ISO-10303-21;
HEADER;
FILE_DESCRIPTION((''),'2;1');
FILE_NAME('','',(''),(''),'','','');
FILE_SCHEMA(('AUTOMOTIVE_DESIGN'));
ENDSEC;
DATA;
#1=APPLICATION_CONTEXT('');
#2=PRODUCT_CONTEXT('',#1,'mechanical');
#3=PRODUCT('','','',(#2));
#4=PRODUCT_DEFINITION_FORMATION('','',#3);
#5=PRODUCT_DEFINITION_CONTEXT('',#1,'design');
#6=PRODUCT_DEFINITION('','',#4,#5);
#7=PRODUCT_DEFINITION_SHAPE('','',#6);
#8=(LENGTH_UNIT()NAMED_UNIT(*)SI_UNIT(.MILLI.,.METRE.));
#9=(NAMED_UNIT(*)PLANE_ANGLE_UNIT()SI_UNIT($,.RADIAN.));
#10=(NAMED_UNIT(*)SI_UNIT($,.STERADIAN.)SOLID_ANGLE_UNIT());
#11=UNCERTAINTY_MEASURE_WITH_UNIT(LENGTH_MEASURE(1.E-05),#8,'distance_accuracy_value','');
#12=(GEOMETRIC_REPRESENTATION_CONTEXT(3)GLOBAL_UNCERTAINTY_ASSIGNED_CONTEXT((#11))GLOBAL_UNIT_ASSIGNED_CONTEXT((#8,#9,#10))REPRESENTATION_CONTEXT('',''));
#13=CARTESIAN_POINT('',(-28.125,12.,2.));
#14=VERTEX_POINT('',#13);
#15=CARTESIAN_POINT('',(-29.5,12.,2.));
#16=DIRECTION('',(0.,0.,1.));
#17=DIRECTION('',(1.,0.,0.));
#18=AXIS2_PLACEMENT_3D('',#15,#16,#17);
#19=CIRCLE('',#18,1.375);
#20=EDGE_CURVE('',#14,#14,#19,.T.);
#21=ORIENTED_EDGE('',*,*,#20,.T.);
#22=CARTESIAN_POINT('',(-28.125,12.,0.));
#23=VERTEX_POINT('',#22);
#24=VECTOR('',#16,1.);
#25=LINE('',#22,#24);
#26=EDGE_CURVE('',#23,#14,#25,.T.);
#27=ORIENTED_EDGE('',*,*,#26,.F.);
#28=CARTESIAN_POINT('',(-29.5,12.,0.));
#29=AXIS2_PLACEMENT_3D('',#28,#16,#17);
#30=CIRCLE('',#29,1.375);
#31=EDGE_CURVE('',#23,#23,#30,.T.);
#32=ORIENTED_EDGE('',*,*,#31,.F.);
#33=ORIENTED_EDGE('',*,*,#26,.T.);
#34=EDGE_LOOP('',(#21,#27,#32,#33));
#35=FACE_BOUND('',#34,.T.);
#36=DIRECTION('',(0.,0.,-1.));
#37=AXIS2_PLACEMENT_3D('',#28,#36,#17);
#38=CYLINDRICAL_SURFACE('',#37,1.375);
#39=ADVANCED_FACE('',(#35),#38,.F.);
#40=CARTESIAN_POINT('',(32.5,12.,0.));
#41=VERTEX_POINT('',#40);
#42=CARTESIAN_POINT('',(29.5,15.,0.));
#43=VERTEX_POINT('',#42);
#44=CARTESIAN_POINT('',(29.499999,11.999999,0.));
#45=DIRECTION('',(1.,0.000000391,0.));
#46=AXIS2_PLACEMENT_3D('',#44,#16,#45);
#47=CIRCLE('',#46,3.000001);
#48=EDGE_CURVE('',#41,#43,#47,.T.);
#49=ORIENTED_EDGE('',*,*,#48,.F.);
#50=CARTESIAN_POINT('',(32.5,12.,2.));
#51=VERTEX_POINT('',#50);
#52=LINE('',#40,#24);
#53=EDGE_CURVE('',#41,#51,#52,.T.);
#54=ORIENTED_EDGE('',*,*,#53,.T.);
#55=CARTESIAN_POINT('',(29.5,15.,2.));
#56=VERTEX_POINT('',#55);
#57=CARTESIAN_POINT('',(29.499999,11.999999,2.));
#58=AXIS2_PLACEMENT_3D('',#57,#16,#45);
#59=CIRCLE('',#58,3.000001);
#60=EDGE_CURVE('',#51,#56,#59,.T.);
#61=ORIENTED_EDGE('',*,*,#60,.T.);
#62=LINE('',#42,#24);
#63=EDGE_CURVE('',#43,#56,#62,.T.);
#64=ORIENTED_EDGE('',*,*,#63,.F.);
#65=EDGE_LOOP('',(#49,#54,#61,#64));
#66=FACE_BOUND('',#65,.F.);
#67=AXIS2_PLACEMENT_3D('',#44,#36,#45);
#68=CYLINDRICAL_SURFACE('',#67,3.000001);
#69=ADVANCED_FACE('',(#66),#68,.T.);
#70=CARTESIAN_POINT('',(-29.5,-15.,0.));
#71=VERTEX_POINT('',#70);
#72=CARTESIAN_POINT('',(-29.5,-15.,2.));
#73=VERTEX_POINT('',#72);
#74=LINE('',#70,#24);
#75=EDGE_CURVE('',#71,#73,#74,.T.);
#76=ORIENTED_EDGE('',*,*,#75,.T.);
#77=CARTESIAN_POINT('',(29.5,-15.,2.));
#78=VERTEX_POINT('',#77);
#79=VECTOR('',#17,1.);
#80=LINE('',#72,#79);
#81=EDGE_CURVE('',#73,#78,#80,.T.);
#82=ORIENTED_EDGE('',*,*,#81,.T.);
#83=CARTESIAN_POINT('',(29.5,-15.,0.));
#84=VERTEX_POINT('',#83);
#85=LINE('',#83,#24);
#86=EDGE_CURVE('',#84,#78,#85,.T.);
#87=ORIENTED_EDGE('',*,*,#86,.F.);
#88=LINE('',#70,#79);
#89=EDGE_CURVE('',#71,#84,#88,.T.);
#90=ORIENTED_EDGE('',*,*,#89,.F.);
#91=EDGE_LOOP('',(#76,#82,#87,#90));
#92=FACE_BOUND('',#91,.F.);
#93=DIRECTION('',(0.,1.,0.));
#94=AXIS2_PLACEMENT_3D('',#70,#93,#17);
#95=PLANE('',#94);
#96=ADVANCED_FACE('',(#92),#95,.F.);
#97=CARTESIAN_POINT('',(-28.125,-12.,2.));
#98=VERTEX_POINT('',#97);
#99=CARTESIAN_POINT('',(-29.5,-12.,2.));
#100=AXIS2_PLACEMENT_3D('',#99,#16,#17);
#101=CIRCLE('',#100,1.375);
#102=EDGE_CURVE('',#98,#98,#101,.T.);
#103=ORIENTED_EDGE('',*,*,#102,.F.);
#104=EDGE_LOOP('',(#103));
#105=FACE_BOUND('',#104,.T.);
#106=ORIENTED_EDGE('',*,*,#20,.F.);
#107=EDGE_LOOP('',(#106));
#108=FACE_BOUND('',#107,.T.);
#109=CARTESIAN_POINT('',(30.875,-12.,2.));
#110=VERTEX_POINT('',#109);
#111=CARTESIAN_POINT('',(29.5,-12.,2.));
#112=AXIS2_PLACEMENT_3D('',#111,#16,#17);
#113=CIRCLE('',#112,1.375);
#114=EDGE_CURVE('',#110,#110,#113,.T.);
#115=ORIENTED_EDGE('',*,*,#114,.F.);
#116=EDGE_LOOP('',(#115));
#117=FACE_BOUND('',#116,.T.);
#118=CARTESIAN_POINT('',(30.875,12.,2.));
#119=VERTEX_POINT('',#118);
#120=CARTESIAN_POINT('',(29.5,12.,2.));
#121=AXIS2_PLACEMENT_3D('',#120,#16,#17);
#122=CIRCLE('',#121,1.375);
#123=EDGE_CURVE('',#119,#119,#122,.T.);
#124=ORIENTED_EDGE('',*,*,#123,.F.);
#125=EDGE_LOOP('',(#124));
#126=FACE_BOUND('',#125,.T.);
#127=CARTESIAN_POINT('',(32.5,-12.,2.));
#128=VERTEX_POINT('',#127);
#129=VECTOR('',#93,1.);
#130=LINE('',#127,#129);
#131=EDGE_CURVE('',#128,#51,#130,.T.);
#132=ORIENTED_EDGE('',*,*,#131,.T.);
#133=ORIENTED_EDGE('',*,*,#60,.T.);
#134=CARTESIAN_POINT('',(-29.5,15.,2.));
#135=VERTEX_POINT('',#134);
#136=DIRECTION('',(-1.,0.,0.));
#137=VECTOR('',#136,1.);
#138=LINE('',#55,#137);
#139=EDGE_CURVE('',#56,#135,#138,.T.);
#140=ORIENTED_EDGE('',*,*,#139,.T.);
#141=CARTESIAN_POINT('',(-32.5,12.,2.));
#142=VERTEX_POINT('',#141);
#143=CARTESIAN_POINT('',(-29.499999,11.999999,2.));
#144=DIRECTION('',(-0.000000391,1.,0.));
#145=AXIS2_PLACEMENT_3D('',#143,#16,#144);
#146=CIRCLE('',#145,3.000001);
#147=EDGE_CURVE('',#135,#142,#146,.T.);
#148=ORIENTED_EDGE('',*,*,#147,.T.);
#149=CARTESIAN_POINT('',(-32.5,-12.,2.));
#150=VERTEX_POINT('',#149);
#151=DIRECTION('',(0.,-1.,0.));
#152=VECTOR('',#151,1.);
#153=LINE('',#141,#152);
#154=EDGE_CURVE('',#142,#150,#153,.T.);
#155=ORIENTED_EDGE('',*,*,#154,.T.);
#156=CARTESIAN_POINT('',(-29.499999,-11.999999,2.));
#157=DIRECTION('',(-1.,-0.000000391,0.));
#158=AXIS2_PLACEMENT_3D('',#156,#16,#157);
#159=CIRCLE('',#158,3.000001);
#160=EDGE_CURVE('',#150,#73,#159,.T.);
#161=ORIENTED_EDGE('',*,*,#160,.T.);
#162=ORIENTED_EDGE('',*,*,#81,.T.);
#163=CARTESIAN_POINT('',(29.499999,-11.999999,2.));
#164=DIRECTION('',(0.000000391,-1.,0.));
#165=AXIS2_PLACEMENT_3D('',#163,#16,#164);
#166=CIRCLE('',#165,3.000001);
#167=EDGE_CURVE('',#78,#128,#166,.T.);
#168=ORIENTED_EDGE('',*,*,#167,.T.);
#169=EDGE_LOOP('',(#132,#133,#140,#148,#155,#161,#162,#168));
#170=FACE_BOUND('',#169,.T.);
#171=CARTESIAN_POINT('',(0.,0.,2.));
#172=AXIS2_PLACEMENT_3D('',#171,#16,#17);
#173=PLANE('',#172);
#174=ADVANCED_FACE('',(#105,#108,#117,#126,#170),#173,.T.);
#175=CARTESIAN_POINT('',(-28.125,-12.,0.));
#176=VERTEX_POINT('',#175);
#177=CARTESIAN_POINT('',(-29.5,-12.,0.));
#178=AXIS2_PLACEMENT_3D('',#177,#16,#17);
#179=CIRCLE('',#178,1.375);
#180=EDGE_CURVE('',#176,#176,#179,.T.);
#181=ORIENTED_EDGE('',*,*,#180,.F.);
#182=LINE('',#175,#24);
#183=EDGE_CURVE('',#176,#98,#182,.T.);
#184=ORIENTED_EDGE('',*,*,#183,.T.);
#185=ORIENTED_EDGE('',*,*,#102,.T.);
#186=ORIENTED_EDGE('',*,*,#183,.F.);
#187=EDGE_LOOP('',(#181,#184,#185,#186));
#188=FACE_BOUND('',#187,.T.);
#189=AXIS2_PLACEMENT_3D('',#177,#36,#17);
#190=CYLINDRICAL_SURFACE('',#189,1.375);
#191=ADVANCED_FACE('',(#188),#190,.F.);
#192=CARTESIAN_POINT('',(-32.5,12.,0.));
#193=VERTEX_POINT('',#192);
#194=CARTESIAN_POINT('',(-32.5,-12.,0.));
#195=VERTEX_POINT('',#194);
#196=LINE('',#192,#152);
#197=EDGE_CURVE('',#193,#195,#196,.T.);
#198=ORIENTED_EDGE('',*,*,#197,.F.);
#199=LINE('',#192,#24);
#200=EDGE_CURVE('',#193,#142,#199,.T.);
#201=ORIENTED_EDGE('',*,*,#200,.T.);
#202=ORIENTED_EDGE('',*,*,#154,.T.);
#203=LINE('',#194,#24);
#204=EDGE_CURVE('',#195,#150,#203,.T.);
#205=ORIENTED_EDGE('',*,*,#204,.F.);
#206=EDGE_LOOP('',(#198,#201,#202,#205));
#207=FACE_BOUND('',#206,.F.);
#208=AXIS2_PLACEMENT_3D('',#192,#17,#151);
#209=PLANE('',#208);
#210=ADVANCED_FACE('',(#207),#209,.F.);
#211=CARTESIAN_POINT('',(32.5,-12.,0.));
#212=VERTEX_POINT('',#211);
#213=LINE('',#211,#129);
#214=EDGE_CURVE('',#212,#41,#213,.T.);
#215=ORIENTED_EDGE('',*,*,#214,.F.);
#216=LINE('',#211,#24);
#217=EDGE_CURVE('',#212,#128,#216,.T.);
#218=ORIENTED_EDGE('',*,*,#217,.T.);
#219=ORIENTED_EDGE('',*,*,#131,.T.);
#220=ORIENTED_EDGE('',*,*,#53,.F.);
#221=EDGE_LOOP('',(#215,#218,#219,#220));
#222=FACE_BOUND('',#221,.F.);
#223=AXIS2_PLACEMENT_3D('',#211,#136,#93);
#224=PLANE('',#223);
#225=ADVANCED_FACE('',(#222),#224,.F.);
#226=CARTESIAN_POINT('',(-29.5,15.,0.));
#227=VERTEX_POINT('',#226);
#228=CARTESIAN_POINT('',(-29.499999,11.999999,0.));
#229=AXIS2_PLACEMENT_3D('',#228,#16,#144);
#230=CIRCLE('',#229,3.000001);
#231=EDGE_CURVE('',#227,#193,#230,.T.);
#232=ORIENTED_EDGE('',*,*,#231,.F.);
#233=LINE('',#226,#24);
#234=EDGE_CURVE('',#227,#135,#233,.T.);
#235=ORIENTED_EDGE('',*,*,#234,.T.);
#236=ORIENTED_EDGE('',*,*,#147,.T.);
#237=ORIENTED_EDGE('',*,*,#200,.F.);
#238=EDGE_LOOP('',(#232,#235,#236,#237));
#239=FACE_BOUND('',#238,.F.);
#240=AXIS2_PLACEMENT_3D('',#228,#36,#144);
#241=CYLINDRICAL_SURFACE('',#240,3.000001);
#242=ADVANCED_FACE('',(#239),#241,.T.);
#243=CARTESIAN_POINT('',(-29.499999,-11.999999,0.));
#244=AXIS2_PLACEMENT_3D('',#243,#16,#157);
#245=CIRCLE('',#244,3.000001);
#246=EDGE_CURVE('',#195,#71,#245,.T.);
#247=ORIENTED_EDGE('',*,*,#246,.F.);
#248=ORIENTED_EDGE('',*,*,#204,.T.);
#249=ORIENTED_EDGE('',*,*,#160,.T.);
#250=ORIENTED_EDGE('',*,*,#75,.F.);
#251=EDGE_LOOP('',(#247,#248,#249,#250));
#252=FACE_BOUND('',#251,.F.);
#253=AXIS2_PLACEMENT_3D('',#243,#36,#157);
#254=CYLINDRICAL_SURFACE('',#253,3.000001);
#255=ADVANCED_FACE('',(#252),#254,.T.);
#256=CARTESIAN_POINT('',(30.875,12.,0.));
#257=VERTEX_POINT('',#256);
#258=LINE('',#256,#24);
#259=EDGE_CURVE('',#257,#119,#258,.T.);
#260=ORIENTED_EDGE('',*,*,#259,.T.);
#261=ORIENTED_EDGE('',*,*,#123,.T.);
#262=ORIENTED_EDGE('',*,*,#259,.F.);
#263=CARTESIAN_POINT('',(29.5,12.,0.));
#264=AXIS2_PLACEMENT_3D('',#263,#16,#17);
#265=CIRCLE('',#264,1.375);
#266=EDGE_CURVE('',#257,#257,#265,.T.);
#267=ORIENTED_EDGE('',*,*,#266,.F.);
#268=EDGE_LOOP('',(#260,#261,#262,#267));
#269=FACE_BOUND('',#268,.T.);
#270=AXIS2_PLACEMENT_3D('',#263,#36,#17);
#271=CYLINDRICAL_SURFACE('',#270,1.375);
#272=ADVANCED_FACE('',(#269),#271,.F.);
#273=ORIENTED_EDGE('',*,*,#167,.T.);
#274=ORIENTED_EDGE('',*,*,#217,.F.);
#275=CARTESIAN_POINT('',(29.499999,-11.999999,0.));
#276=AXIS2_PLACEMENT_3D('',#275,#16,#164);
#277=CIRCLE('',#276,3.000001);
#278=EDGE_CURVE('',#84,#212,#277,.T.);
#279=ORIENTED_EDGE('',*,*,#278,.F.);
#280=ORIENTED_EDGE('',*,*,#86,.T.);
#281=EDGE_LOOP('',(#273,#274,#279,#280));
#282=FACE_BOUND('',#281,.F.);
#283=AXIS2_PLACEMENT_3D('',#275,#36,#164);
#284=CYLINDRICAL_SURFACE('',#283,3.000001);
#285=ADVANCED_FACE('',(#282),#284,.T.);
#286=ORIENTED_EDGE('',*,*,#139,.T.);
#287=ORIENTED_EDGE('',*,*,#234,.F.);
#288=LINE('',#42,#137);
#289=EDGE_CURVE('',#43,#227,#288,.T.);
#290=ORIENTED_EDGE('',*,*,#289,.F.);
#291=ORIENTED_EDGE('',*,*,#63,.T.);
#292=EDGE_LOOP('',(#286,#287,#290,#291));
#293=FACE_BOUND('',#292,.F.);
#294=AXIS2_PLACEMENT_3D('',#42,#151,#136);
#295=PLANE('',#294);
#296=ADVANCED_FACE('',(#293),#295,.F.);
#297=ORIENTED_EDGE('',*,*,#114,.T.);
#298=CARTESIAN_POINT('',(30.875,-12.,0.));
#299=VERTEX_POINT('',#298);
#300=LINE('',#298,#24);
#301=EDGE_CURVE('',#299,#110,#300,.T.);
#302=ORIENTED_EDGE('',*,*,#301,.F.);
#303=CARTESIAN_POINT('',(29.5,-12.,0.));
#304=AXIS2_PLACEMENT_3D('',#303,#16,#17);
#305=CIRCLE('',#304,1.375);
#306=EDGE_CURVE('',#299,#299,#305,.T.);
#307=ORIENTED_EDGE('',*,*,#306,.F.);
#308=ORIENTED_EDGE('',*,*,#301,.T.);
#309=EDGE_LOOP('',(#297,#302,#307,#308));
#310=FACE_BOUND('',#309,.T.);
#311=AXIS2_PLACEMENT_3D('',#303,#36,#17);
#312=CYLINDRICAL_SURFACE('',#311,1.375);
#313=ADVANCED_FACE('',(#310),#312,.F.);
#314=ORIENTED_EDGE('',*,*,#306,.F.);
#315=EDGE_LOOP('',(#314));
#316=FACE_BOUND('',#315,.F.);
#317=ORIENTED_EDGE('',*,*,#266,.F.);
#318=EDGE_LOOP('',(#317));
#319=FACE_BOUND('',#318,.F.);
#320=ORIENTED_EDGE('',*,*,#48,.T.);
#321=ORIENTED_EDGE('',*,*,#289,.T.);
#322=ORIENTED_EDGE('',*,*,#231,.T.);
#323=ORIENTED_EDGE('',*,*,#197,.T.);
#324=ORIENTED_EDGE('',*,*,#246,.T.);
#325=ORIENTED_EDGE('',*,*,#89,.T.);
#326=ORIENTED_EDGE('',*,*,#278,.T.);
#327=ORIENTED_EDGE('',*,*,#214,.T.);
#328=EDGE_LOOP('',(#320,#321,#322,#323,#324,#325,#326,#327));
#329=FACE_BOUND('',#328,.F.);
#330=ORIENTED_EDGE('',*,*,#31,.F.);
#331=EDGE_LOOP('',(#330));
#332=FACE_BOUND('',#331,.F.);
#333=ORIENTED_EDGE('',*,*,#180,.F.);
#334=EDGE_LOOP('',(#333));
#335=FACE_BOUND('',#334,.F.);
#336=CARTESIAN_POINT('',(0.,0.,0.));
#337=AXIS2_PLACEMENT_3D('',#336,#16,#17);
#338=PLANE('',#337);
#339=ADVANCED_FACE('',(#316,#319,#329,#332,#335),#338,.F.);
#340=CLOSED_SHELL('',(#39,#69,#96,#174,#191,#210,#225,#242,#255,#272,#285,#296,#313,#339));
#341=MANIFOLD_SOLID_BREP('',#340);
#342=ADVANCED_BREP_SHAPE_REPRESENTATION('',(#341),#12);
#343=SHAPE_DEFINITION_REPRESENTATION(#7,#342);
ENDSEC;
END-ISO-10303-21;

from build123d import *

# Parameters (mm, degrees)
F0_R     = 1.375
F0_W     = 50
F0_H     = 5
F1_DEPTH = 2


with BuildPart() as f1:
    # F0 (on Top) → F1 (new body)
    with BuildSketch(Plane.XY):
        with BuildLine():
            ThreePointArc((32.5, 12), (31.62132, 14.12132), (29.5, 15))
            Line((29.5, 15), (-29.5, 15))
            ThreePointArc((-29.5, 15), (-31.62132, 14.12132), (-32.5, 12))
            Line((-32.5, 12), (-32.5, -12))
            ThreePointArc((-32.5, -12), (-31.62132, -14.12132), (-29.5, -15))
            Line((-29.5, -15), (29.5, -15))
            ThreePointArc((29.5, -15), (31.62132, -14.12132), (32.5, -12))
            Line((32.5, -12), (32.5, 12))
        make_face()
        with Locations((-29.5, -12)):
            Circle(F0_R, mode=Mode.SUBTRACT)
        with Locations((29.5, -12)):
            Circle(F0_R, mode=Mode.SUBTRACT)
        with Locations((-29.5, 12)):
            Circle(F0_R, mode=Mode.SUBTRACT)
        with Locations((0, 11.5)):
            Rectangle(F0_W, F0_H, mode=Mode.SUBTRACT)
        with Locations((29.5, 12)):
            Circle(F0_R, mode=Mode.SUBTRACT)
        with Locations((0, 11.5)):
            Rectangle(F0_W, F0_H)
    extrude(amount=F1_DEPTH)


solid = f1.part
